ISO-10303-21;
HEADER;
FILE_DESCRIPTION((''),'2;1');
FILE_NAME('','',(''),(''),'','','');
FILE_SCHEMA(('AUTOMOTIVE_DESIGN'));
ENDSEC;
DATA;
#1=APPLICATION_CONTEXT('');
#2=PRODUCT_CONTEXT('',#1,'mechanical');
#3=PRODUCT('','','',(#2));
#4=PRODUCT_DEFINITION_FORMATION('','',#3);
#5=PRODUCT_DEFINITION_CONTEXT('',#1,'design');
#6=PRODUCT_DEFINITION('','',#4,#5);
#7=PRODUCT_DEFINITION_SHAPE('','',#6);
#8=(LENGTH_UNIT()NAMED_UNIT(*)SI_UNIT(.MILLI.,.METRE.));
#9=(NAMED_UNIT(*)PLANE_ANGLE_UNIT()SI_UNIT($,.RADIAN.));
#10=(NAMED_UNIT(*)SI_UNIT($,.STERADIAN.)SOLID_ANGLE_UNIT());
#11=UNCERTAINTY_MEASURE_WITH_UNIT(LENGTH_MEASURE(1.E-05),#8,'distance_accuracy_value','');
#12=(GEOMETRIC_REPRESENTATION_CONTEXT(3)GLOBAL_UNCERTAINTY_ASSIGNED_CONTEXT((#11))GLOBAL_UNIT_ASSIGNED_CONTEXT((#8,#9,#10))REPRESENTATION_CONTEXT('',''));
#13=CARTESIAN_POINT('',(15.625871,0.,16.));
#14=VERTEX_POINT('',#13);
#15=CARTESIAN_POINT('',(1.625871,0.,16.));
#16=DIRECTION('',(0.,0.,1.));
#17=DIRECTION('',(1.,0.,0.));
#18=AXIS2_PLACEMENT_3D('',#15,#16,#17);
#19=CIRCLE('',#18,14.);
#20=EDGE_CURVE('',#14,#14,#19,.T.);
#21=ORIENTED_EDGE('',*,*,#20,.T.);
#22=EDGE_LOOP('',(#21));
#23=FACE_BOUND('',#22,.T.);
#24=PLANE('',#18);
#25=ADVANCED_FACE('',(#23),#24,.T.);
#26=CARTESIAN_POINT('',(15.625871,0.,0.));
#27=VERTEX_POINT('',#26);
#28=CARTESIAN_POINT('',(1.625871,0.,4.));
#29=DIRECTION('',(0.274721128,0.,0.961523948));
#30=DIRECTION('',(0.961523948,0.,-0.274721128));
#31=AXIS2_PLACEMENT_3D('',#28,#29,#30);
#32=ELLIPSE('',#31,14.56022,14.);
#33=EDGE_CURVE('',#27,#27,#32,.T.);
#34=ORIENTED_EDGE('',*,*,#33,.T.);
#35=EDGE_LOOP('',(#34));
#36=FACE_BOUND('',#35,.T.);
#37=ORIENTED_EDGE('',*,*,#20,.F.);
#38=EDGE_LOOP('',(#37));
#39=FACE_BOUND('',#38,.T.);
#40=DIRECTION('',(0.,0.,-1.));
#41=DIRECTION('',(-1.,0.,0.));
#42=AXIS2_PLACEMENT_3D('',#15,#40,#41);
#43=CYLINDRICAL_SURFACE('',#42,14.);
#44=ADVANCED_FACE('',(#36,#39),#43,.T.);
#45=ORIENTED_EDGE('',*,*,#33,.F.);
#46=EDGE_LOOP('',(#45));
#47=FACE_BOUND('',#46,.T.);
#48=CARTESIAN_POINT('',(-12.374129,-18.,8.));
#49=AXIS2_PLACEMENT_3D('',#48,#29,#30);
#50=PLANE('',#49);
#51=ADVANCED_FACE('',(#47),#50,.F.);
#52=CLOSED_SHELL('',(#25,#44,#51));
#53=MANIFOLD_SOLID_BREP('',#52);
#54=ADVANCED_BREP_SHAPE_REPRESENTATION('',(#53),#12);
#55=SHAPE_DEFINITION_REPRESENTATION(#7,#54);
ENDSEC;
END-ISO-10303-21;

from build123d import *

# Parameters (mm, degrees)
SKETCH1_R           = 14
BOSS_EXTRUDE2_DEPTH = 16
CUT_EXTRUDE1_DEPTH  = 32


with BuildPart() as part:
    # Sketch1 → Boss-Extrude2 (new body)
    with BuildSketch(Plane.XY):
        with Locations((1.625870978, 0)):
            Circle(SKETCH1_R)
    extrude(amount=BOSS_EXTRUDE2_DEPTH)

    # Sketch2 → Cut-Extrude1 (cut)
    with BuildSketch(Plane(origin=(0, 14, 0), x_dir=(1, 0, 0), z_dir=(0, 1, 0))):
        Polygon((-12.374129022, -8), (15.625870978, 0), (-12.374129022, 0), align=None)
    extrude(amount=-CUT_EXTRUDE1_DEPTH, mode=Mode.SUBTRACT)


solid = part.part
